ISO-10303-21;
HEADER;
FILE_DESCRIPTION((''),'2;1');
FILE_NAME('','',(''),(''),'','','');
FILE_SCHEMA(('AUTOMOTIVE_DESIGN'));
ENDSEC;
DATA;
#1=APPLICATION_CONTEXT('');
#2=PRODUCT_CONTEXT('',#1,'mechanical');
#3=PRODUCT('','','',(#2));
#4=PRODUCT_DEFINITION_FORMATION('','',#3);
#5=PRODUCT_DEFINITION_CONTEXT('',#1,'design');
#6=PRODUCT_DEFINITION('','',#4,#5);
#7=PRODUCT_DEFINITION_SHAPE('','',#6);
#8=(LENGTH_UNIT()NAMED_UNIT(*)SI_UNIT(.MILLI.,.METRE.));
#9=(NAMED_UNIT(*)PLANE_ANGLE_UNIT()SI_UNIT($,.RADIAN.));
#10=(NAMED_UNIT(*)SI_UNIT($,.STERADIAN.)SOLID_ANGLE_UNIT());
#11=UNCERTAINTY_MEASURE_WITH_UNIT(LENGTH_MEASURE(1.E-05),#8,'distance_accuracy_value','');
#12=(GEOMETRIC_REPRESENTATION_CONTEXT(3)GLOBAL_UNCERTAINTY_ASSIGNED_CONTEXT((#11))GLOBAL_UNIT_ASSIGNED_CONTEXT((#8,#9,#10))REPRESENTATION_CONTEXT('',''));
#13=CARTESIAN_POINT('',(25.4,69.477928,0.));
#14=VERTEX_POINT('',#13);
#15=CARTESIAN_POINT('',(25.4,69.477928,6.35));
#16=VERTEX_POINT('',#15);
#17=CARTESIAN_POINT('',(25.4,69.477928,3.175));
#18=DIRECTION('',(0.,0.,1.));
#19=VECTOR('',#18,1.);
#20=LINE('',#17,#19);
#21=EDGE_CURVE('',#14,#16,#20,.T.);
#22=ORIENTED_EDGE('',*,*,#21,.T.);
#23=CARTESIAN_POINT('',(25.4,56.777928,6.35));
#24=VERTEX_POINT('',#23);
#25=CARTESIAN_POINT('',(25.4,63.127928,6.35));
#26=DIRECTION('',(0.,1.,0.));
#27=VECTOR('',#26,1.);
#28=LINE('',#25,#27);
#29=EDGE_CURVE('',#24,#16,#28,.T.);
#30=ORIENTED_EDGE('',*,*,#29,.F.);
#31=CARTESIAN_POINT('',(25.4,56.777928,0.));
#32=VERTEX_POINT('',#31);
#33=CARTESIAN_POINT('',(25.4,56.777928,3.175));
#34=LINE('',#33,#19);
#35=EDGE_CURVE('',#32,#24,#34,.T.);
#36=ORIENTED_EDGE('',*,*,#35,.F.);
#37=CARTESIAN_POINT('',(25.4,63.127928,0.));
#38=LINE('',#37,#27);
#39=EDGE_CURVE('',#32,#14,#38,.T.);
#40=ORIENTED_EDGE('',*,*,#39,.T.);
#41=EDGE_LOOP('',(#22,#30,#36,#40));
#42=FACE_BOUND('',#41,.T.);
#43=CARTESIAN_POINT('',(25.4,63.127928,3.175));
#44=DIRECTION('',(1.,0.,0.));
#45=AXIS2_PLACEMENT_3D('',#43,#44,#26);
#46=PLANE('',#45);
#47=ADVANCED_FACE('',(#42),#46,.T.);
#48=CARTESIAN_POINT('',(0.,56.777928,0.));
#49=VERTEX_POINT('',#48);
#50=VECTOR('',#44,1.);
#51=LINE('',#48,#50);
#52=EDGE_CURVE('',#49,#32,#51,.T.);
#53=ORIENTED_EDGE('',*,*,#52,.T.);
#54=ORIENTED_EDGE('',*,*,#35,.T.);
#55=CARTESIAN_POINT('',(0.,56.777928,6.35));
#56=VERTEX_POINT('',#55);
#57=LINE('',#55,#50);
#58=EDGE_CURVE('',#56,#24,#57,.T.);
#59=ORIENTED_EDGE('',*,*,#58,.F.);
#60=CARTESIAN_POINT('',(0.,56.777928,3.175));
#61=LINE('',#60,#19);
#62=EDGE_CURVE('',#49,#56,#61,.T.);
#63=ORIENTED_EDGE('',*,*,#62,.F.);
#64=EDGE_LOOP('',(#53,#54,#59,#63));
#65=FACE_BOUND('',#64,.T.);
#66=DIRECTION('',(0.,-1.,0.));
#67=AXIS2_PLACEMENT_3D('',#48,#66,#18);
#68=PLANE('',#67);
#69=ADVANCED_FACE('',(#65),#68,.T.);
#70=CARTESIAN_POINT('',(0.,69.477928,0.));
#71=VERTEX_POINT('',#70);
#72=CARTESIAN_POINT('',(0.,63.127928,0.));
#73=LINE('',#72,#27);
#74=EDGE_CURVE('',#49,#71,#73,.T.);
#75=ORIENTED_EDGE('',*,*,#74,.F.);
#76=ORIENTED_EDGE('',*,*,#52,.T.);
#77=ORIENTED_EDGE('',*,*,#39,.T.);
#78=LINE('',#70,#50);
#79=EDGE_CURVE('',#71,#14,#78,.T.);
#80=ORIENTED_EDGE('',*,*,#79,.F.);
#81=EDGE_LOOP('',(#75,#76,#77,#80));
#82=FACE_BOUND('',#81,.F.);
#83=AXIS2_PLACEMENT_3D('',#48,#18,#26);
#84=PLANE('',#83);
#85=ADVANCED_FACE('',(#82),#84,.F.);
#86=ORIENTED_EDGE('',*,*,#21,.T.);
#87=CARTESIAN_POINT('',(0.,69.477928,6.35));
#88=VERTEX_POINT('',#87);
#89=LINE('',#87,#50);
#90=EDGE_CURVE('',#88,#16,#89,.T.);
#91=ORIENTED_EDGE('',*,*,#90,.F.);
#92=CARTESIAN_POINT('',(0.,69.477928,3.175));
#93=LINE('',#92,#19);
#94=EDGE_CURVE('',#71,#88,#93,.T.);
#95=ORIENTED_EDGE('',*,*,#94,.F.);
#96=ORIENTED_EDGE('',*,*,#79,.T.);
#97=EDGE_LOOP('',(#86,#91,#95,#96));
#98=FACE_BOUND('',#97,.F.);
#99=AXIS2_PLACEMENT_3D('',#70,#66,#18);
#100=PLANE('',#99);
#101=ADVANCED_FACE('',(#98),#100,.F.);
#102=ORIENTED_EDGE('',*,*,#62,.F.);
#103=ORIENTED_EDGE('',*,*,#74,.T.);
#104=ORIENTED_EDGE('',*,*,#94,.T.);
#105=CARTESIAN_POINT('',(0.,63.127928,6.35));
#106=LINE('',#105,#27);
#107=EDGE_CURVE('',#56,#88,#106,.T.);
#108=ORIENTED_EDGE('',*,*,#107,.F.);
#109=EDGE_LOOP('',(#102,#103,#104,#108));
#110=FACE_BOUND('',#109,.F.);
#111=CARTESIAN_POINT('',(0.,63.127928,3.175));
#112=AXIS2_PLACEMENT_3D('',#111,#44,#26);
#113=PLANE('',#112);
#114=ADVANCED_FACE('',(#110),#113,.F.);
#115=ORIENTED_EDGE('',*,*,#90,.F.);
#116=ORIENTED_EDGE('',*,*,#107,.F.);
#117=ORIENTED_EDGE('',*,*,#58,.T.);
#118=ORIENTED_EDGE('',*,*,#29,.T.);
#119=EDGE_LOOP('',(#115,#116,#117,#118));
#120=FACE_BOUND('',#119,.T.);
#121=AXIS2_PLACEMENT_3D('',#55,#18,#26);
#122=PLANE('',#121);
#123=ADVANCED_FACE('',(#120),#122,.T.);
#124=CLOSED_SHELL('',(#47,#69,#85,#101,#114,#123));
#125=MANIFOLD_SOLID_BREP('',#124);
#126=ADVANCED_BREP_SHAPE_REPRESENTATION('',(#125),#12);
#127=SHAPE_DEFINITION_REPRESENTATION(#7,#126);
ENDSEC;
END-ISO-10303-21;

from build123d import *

# Parameters (mm, degrees)
F0_W     = 203.2
F0_H     = 101.6
F1_DEPTH = 50.8
F2_W     = 12.7
F2_H     = 6.35
F4_DEPTH = 25.4


with BuildPart() as f1:
    # F0 (on Top) → F1 (new body)
    with BuildSketch(Plane.XY):
        with Locations((10.0498665416, 18.56304156)):
            Rectangle(F0_W, F0_H)
    extrude(amount=F1_DEPTH)


with BuildPart() as f4:
    # F2 (on Right) → F4 (new body)
    with BuildSketch(Plane.YZ):
        with Locations((63.1279280245, 3.175)):
            Rectangle(F2_W, F2_H)
    extrude(amount=F4_DEPTH)


solid = f4.part
